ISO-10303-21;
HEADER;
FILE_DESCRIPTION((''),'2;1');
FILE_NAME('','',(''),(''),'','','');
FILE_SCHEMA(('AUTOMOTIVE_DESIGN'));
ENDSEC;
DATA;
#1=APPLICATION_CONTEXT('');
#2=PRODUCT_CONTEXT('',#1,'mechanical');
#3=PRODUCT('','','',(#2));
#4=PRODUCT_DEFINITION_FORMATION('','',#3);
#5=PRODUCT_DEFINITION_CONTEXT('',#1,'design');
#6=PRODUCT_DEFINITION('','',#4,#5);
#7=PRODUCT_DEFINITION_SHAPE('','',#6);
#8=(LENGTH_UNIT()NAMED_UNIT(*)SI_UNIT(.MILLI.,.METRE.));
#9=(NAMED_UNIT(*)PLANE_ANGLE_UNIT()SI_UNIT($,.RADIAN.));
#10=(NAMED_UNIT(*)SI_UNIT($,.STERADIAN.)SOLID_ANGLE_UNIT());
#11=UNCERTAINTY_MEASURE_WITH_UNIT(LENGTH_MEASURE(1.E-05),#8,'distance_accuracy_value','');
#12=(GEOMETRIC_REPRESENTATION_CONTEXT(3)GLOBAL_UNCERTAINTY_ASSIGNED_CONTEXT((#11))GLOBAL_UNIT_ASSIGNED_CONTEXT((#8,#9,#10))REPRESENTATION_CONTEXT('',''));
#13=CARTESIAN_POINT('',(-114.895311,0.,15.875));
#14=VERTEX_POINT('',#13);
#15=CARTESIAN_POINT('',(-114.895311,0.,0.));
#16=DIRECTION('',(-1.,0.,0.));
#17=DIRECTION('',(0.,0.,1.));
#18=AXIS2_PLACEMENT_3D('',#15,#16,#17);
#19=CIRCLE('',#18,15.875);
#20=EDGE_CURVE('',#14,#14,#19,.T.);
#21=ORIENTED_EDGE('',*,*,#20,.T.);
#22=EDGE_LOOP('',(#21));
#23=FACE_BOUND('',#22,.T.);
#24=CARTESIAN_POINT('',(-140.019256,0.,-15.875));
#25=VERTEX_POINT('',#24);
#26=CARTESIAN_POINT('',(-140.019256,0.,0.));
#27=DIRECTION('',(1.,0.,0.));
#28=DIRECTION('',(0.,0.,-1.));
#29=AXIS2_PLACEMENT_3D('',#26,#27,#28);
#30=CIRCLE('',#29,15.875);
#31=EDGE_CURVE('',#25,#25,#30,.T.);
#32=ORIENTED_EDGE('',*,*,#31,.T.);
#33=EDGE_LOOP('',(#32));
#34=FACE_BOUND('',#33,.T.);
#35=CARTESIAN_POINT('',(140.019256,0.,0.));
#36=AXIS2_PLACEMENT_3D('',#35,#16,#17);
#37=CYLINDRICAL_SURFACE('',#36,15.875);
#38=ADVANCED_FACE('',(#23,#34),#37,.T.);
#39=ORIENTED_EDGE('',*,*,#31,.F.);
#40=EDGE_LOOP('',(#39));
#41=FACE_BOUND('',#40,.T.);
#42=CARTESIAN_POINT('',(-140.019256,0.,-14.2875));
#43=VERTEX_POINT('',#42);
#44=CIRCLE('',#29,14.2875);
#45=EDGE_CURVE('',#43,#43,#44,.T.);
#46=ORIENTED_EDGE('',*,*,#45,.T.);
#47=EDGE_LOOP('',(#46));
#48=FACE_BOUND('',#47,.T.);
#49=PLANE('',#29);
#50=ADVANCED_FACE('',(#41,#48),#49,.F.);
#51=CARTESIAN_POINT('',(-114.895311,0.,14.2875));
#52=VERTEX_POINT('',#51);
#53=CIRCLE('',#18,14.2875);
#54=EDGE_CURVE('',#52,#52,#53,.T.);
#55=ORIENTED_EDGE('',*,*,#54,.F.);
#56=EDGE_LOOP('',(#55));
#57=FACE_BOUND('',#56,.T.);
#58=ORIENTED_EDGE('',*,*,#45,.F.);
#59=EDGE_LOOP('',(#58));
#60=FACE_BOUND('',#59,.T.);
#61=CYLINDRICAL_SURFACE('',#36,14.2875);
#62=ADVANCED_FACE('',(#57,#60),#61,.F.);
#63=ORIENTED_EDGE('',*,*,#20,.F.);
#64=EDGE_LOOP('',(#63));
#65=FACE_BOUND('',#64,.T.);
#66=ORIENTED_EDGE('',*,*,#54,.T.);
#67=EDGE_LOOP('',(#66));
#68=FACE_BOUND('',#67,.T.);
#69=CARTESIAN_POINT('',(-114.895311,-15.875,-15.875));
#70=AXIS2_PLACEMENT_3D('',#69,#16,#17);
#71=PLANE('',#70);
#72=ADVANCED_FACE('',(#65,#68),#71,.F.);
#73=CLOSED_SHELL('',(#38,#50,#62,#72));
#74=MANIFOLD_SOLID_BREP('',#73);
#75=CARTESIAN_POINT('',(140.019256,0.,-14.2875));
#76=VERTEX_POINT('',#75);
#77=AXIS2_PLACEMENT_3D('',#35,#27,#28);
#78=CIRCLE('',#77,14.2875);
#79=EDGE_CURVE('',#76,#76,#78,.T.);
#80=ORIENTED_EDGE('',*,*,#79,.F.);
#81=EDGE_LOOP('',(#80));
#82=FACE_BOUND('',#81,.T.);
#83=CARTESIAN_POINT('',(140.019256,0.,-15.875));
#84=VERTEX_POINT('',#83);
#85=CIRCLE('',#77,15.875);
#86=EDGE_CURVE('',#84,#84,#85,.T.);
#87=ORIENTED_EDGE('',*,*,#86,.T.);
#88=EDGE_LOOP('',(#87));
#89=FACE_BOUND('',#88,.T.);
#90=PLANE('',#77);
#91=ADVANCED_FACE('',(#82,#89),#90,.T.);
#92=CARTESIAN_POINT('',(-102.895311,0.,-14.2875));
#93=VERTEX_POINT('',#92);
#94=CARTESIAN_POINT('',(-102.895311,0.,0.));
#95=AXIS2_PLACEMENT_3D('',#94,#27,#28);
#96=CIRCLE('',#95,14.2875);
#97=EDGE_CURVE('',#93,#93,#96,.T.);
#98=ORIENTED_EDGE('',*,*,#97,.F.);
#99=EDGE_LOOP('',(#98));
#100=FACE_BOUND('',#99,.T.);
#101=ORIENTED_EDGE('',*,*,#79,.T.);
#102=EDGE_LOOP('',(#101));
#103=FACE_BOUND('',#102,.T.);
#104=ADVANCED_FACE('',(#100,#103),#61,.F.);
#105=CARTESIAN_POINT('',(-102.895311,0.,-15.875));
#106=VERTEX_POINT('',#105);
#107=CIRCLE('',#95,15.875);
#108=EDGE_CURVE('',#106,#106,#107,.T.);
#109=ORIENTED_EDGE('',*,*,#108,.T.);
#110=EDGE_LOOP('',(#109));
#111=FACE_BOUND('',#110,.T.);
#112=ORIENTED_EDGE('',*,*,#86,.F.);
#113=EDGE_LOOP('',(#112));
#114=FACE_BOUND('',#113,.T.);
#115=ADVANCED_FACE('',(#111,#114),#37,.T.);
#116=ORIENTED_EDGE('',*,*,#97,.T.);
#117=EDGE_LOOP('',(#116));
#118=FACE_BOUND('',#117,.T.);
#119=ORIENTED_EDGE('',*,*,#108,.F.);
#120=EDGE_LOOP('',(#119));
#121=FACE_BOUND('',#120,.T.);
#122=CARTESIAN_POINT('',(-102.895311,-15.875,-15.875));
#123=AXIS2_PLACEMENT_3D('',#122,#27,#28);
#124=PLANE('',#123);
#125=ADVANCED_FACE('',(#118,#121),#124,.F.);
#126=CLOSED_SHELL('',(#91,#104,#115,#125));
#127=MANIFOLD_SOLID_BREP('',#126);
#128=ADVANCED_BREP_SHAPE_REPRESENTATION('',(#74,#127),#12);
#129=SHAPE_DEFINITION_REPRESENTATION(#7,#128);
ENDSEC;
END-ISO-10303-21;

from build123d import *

# Parameters (mm, degrees)
SKETCH1_R               = 15.875
SKETCH1_R_2             = 14.2875
EXTRUDE_THIN1_DEPTH     = 140.019255902
CUT_EXTRUDE1_DEPTH      = 142.807698216
CUT_EXTRUDE1_DEPTH_BACK = 142.807698216
SKETCH2_W               = 11.999999876
SKETCH2_H               = 31.75


with BuildPart() as part:
    # Sketch1 → Extrude-Thin1 (new, symmetric)
    with BuildSketch(Plane(origin=(0, 0, 0), x_dir=(0, 0, -1), z_dir=(1, 0, 0))):
        Circle(SKETCH1_R)
        Circle(SKETCH1_R_2, mode=Mode.SUBTRACT)
    extrude(amount=EXTRUDE_THIN1_DEPTH, both=True)

    # Sketch2 → Cut-Extrude1 (cut, two sides: drawn at the far end of the back side and taken through both)
    with BuildSketch(Plane(origin=(0, 0, 0), x_dir=(1, 0, 0), z_dir=(0, 1, 0)).offset(-CUT_EXTRUDE1_DEPTH_BACK)):
        with Locations((-108.895311038, 0)):
            Rectangle(SKETCH2_W, SKETCH2_H)
    extrude(amount=CUT_EXTRUDE1_DEPTH + CUT_EXTRUDE1_DEPTH_BACK, mode=Mode.SUBTRACT)


with BuildPart() as cut_extrude1_piece_1:
    # of the separate pieces the step leaves, piece 1, a body of its own (cut_extrude1_pieces)
    add(part.part.solids().sort_by_distance((-102.8953111, 0, -15.875))[0])


with BuildPart() as cut_extrude1_piece_2:
    # of the separate pieces the step leaves, piece 2, a body of its own (cut_extrude1_pieces)
    add(part.part.solids().sort_by_distance((-140.019255902, 0, -15.875))[0])


solid = Compound([cut_extrude1_piece_1.part, cut_extrude1_piece_2.part])
